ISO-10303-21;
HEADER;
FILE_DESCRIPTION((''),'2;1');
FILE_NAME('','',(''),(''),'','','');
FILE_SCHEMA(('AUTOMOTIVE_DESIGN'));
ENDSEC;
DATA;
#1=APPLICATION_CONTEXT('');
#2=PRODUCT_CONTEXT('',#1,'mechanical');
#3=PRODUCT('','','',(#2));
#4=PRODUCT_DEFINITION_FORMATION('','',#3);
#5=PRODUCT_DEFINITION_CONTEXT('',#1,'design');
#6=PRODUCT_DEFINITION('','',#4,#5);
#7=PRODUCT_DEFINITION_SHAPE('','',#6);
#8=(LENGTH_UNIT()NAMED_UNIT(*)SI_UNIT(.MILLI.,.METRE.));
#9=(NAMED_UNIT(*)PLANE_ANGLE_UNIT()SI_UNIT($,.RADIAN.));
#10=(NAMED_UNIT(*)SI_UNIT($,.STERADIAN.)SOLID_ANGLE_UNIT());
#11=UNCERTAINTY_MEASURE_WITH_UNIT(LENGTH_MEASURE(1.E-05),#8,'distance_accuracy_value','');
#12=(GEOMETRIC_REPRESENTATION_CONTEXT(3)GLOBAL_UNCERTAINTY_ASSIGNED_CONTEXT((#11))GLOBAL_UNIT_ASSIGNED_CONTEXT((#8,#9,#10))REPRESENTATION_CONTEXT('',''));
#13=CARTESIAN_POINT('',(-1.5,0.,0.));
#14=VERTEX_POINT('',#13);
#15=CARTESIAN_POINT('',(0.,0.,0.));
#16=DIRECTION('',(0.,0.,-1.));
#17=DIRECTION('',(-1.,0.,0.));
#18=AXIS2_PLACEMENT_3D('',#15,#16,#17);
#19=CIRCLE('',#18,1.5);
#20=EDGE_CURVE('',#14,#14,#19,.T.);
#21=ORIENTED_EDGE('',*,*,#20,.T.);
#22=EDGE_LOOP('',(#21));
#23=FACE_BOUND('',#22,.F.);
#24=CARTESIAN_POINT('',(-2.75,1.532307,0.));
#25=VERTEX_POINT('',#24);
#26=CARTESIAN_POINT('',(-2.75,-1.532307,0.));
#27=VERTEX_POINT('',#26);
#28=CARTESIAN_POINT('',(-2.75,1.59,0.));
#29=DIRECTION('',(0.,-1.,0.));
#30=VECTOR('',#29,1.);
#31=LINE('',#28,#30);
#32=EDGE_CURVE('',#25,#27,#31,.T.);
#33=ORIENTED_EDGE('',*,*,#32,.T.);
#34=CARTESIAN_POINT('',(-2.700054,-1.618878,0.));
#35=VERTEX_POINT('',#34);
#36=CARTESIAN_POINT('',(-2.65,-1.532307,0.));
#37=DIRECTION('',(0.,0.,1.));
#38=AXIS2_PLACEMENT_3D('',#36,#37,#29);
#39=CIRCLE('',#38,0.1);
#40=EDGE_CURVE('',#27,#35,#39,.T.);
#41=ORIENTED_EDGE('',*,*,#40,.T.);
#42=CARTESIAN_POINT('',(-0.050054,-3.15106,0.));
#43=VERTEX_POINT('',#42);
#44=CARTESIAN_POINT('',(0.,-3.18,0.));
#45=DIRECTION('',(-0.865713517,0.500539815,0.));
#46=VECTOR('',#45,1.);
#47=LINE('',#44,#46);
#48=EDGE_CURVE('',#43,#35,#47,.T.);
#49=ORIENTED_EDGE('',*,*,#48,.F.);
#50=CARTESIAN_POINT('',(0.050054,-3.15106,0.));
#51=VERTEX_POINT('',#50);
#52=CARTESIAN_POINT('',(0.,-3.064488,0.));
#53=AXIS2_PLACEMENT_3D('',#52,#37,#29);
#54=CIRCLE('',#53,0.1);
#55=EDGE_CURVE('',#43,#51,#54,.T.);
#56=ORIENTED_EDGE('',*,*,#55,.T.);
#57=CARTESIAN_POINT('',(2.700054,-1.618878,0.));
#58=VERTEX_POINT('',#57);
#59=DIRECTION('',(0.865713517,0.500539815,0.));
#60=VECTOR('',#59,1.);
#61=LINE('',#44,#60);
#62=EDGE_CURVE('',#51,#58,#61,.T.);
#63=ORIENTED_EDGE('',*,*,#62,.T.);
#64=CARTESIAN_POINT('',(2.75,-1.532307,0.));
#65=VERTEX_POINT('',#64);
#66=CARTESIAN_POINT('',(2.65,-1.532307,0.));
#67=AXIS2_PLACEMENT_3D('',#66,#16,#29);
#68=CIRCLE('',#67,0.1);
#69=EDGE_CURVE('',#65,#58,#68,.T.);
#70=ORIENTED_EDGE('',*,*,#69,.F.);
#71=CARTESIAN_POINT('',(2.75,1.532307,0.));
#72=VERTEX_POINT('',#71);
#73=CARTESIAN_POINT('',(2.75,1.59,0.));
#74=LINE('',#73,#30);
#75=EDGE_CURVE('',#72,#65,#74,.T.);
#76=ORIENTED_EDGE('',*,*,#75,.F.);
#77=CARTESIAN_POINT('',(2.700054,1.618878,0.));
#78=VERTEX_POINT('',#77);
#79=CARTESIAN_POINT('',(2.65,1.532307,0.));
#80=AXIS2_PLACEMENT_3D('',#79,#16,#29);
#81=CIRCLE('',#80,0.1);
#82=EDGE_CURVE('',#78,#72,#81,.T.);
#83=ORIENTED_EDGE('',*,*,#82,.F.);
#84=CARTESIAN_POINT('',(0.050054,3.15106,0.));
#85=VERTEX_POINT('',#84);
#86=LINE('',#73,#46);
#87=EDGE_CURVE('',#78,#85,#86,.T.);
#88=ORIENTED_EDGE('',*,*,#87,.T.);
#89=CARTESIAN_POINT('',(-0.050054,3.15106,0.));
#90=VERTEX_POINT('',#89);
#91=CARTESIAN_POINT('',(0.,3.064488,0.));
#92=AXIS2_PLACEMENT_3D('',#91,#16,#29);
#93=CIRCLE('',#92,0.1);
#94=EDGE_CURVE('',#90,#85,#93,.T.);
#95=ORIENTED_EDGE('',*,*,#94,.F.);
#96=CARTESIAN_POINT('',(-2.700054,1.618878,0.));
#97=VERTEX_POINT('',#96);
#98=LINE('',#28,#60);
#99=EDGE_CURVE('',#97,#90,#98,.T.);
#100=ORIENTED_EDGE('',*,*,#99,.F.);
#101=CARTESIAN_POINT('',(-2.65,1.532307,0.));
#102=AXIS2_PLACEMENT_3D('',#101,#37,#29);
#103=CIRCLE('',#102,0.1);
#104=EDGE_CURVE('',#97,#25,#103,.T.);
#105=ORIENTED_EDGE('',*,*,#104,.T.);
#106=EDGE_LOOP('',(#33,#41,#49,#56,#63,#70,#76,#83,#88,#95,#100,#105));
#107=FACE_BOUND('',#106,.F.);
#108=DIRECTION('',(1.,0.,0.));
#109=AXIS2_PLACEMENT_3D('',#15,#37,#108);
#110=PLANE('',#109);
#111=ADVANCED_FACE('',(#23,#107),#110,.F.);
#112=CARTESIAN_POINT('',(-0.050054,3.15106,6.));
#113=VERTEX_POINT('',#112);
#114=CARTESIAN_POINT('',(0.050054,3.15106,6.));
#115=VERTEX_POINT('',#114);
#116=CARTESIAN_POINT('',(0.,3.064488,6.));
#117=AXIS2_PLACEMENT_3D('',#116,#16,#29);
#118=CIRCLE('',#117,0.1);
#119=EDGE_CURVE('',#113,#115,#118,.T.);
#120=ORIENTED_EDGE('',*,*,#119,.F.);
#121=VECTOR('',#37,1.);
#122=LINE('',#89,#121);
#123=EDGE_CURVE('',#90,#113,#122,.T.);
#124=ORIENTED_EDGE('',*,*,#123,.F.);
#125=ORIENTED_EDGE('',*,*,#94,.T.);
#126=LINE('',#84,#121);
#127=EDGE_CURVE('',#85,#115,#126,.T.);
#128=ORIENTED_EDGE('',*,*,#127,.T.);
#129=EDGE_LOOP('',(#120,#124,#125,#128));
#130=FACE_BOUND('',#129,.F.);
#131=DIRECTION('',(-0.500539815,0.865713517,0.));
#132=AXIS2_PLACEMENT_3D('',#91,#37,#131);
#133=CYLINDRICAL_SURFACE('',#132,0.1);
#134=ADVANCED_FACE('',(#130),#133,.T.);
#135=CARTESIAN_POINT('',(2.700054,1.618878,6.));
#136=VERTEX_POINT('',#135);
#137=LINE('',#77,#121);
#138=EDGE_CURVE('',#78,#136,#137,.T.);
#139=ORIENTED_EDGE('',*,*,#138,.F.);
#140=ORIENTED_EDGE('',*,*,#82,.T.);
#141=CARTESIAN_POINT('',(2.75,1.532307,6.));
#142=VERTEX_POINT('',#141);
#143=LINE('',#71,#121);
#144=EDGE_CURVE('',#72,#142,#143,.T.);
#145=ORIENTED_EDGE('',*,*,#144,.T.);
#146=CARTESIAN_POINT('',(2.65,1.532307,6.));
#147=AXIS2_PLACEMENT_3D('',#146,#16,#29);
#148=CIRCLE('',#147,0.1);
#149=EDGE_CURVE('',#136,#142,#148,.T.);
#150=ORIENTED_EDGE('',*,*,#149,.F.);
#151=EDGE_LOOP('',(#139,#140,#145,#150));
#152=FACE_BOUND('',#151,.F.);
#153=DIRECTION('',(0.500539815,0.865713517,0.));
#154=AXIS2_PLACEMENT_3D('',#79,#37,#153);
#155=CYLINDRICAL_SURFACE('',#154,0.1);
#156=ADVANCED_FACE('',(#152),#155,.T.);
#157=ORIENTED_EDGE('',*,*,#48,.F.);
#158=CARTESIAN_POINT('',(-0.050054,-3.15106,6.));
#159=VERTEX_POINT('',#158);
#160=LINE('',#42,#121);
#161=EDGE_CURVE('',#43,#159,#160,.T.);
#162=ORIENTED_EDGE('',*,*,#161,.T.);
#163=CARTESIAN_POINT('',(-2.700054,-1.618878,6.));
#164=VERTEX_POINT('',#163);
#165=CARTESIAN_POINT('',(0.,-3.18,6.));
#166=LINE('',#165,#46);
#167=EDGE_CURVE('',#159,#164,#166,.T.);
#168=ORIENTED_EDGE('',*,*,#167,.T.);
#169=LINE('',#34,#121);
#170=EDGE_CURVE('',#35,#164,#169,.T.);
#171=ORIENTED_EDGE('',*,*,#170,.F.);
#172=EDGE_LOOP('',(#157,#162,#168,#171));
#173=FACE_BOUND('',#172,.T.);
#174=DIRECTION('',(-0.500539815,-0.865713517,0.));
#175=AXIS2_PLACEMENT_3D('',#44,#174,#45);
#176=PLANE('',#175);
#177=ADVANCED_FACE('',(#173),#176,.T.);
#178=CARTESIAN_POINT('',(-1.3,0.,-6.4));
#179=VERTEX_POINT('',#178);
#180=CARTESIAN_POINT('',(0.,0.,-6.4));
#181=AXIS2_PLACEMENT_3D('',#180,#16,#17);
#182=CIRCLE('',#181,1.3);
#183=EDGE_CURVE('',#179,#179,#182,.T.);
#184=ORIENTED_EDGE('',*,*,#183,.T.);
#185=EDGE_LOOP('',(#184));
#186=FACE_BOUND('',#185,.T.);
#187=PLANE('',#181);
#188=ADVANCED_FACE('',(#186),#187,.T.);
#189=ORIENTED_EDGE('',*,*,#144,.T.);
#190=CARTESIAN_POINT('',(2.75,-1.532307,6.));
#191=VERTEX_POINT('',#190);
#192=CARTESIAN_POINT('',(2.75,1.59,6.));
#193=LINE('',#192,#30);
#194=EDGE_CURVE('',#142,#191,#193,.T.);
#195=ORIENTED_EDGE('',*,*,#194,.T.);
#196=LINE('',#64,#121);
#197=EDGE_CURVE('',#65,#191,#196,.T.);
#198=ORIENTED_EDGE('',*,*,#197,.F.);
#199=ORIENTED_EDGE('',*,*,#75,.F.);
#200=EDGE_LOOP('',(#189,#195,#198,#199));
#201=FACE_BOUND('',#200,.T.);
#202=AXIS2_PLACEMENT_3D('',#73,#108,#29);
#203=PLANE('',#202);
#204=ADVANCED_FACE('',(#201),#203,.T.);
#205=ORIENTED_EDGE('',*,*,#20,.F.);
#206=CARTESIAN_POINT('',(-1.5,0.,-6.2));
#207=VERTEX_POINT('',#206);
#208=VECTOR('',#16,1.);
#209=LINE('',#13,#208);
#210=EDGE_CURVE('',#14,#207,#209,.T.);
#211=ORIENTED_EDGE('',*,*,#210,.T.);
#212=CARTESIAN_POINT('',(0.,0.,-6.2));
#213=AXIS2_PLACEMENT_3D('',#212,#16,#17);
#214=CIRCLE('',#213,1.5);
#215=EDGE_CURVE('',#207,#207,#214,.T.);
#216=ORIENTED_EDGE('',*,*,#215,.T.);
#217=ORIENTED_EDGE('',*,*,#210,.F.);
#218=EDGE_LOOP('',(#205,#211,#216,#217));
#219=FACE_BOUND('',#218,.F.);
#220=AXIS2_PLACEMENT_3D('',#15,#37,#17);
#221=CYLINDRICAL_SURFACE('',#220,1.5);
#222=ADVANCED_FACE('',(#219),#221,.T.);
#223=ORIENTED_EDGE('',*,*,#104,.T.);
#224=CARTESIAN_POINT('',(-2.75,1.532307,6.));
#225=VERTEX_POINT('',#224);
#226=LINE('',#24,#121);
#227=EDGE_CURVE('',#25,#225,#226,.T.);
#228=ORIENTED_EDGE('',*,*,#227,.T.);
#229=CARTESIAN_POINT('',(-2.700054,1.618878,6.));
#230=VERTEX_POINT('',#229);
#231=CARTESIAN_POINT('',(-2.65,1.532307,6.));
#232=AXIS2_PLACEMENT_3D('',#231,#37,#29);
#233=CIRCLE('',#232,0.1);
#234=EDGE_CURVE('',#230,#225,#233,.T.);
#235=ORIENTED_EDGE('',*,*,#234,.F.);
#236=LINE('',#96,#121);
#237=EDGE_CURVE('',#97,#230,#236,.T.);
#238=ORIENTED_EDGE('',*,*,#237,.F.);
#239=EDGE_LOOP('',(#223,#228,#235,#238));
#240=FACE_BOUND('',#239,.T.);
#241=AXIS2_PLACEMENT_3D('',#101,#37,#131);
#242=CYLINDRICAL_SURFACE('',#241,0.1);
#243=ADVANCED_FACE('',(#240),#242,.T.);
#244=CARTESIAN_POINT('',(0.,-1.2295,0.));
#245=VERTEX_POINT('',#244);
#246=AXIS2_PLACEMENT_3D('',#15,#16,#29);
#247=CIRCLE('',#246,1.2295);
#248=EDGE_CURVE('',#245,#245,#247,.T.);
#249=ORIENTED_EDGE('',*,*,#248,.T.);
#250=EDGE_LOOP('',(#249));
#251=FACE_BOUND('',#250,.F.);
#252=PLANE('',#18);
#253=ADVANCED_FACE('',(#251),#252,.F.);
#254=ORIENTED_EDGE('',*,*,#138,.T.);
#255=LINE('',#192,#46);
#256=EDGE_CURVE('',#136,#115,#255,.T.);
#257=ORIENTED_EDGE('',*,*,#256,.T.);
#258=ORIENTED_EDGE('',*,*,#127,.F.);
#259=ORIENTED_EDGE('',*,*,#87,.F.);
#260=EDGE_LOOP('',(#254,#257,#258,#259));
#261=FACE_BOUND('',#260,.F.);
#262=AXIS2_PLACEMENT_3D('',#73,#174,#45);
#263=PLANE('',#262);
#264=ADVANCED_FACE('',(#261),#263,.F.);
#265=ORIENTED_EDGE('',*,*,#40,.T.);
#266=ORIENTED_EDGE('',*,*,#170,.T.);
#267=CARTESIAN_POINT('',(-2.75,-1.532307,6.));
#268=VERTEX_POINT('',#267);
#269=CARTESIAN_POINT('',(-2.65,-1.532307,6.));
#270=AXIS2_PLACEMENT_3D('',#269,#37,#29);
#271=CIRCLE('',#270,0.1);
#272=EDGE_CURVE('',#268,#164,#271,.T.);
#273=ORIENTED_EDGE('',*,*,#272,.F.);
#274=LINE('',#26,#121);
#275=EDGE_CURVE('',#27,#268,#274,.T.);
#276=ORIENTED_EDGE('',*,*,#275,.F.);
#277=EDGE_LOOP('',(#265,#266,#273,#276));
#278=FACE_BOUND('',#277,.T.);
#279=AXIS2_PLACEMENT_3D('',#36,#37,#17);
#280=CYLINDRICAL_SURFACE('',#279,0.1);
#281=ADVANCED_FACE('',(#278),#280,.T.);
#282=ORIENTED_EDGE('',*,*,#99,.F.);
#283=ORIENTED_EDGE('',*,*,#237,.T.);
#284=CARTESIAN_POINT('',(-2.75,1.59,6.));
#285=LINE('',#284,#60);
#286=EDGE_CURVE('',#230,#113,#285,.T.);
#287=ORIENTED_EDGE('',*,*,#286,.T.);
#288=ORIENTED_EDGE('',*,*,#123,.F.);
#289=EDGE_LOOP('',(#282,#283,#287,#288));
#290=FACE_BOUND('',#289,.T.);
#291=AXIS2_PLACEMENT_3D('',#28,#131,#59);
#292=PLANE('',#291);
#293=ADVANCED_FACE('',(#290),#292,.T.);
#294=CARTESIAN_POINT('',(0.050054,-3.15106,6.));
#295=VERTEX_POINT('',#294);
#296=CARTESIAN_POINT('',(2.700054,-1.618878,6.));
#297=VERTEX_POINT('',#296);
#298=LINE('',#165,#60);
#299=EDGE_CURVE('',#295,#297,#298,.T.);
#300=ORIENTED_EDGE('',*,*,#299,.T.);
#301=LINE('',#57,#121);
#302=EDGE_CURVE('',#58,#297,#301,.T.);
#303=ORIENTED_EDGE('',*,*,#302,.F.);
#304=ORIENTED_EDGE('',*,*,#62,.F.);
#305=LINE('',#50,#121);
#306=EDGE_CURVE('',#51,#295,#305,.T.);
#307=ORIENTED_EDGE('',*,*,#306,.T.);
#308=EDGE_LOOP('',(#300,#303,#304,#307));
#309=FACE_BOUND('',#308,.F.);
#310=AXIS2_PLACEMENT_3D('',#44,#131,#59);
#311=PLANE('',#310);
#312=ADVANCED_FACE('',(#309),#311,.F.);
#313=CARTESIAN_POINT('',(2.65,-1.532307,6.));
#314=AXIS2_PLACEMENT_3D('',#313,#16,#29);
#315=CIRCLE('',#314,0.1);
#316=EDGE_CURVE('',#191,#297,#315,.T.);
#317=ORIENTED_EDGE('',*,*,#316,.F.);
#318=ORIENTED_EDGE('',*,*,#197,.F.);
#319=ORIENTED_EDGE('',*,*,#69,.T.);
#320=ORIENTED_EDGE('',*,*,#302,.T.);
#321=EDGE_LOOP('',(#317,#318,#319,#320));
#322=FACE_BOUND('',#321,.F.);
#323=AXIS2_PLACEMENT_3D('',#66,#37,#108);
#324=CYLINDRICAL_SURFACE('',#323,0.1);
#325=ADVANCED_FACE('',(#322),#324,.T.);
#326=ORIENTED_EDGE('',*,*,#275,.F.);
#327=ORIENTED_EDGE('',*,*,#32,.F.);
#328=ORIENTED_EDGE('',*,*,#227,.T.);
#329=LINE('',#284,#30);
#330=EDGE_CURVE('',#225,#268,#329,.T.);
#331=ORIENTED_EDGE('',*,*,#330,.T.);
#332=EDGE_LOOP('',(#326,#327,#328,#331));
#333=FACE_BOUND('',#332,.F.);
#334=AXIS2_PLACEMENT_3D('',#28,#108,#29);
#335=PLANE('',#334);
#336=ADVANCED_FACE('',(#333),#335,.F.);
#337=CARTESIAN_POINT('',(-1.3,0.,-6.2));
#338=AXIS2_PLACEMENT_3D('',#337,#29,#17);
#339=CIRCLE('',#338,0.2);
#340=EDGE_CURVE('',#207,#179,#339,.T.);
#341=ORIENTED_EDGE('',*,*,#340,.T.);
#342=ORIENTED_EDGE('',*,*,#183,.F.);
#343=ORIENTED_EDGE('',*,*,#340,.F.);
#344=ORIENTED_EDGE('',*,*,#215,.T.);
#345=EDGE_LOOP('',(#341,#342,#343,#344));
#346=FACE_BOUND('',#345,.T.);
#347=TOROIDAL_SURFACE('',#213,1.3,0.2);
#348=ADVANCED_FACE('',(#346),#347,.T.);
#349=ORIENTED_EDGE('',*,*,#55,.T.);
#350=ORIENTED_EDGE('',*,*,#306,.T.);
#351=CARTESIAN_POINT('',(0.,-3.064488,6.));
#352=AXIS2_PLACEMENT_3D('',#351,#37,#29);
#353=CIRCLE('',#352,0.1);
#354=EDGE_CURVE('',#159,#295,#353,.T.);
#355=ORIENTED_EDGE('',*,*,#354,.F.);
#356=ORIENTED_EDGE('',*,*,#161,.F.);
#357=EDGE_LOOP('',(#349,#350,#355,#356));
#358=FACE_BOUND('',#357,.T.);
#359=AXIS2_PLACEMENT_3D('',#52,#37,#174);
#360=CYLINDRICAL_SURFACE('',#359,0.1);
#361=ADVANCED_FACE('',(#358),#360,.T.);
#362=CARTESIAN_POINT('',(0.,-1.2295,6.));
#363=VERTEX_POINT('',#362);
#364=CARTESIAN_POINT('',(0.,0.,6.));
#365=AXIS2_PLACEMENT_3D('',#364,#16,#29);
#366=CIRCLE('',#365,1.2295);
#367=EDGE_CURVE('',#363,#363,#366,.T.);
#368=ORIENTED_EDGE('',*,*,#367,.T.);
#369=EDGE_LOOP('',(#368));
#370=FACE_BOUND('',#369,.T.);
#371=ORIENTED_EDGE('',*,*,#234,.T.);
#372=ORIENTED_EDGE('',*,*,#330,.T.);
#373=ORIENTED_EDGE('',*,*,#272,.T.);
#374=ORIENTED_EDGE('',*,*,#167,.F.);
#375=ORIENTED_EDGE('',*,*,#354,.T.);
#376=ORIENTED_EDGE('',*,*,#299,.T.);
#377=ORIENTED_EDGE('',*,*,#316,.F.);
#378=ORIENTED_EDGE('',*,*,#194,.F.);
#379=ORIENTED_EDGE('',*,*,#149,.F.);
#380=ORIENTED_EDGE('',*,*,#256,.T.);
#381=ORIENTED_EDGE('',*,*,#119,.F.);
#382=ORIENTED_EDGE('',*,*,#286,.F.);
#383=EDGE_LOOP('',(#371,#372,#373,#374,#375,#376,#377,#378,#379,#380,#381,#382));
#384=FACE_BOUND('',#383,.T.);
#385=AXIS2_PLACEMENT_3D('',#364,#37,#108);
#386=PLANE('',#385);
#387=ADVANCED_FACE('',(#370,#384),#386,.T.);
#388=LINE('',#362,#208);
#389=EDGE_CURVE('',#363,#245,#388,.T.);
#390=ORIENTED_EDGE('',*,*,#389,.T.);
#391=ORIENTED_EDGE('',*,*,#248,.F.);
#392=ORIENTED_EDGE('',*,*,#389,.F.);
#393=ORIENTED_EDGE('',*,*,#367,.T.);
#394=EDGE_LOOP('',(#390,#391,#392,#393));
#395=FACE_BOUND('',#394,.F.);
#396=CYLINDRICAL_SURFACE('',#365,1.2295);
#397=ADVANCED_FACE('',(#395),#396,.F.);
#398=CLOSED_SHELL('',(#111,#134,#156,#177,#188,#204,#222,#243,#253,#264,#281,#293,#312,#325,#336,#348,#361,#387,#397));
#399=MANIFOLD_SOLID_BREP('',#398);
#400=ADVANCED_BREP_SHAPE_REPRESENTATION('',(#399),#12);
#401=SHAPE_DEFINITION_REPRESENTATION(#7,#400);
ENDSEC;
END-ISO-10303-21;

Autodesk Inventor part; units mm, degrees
ref_plane "YZ Plane" through (0, 0, 0) normal (1, 0, 0) x (0, 1, 0)
ref_plane "XZ Plane" through (0, 0, 0) normal (0, 1, 0) x (-1, 0, 0)
ref_plane "XY Plane" through (0, 0, 0) normal (0, 0, 1) x (1, 0, 0)
sketch "Sketch1" plane through (0, 0, 0) normal (0, 0, 1) x (1, 0, 0)
  line L0 (-2.75, 1.59) -> (0, 3.18)
  line L1 (0, -3.18) -> (-2.75, -1.59)
  line L2 (-2.75, 1.59) -> (-2.75, -1.59)
  line L3 (2.75, 1.59) -> (0, 3.18)
  line L4 (0, -3.18) -> (2.75, -1.59)
  line L5 (2.75, 1.59) -> (2.75, -1.59)
  point P0 (0, 0)
extrude "Extrusion1" add sketch "Sketch1" along normal blind 6
sketch "Sketch2" plane through (0, 0, 6) normal (0, 0, 1) x (1, 0, 0)
  circle A0 centre (0, 0) radius 1.5
  dimension "d20" = 3
hole "Hole1" at (0, 0, 6) direction (0, 0, -1) diameter 2.459 depth 8.8 tip angle 118 thread size "M3x0.5" class "6H" standard "ISO Metric profile"
fillet "Fillet1" radius 0.1 6 edges at (0, 3.18, 3) (2.75, 1.59, 3) (-2.75, 1.59, 3) (2.75, -1.59, 3) (0, -3.18, 3) (-2.75, -1.59, 3)
sketch "Sketch4" plane through (0, 0, 0) normal (0, 0, -1) x (-1, 0, 0)
  circle A0 centre (0, 0) radius 1.5
  dimension "d29" = 3
extrude "Extrusion2" add sketch "Sketch4" along normal blind 6.4
thread "Thread1" size "M3x0.5" class "6g" standard "ANSI Metric M Profile" length 9.967
fillet "Fillet2" radius 0.2 1 edges at (1.5, 0, -6.4)
properties part number "spacer 3cm" material "Steel, Mild"
